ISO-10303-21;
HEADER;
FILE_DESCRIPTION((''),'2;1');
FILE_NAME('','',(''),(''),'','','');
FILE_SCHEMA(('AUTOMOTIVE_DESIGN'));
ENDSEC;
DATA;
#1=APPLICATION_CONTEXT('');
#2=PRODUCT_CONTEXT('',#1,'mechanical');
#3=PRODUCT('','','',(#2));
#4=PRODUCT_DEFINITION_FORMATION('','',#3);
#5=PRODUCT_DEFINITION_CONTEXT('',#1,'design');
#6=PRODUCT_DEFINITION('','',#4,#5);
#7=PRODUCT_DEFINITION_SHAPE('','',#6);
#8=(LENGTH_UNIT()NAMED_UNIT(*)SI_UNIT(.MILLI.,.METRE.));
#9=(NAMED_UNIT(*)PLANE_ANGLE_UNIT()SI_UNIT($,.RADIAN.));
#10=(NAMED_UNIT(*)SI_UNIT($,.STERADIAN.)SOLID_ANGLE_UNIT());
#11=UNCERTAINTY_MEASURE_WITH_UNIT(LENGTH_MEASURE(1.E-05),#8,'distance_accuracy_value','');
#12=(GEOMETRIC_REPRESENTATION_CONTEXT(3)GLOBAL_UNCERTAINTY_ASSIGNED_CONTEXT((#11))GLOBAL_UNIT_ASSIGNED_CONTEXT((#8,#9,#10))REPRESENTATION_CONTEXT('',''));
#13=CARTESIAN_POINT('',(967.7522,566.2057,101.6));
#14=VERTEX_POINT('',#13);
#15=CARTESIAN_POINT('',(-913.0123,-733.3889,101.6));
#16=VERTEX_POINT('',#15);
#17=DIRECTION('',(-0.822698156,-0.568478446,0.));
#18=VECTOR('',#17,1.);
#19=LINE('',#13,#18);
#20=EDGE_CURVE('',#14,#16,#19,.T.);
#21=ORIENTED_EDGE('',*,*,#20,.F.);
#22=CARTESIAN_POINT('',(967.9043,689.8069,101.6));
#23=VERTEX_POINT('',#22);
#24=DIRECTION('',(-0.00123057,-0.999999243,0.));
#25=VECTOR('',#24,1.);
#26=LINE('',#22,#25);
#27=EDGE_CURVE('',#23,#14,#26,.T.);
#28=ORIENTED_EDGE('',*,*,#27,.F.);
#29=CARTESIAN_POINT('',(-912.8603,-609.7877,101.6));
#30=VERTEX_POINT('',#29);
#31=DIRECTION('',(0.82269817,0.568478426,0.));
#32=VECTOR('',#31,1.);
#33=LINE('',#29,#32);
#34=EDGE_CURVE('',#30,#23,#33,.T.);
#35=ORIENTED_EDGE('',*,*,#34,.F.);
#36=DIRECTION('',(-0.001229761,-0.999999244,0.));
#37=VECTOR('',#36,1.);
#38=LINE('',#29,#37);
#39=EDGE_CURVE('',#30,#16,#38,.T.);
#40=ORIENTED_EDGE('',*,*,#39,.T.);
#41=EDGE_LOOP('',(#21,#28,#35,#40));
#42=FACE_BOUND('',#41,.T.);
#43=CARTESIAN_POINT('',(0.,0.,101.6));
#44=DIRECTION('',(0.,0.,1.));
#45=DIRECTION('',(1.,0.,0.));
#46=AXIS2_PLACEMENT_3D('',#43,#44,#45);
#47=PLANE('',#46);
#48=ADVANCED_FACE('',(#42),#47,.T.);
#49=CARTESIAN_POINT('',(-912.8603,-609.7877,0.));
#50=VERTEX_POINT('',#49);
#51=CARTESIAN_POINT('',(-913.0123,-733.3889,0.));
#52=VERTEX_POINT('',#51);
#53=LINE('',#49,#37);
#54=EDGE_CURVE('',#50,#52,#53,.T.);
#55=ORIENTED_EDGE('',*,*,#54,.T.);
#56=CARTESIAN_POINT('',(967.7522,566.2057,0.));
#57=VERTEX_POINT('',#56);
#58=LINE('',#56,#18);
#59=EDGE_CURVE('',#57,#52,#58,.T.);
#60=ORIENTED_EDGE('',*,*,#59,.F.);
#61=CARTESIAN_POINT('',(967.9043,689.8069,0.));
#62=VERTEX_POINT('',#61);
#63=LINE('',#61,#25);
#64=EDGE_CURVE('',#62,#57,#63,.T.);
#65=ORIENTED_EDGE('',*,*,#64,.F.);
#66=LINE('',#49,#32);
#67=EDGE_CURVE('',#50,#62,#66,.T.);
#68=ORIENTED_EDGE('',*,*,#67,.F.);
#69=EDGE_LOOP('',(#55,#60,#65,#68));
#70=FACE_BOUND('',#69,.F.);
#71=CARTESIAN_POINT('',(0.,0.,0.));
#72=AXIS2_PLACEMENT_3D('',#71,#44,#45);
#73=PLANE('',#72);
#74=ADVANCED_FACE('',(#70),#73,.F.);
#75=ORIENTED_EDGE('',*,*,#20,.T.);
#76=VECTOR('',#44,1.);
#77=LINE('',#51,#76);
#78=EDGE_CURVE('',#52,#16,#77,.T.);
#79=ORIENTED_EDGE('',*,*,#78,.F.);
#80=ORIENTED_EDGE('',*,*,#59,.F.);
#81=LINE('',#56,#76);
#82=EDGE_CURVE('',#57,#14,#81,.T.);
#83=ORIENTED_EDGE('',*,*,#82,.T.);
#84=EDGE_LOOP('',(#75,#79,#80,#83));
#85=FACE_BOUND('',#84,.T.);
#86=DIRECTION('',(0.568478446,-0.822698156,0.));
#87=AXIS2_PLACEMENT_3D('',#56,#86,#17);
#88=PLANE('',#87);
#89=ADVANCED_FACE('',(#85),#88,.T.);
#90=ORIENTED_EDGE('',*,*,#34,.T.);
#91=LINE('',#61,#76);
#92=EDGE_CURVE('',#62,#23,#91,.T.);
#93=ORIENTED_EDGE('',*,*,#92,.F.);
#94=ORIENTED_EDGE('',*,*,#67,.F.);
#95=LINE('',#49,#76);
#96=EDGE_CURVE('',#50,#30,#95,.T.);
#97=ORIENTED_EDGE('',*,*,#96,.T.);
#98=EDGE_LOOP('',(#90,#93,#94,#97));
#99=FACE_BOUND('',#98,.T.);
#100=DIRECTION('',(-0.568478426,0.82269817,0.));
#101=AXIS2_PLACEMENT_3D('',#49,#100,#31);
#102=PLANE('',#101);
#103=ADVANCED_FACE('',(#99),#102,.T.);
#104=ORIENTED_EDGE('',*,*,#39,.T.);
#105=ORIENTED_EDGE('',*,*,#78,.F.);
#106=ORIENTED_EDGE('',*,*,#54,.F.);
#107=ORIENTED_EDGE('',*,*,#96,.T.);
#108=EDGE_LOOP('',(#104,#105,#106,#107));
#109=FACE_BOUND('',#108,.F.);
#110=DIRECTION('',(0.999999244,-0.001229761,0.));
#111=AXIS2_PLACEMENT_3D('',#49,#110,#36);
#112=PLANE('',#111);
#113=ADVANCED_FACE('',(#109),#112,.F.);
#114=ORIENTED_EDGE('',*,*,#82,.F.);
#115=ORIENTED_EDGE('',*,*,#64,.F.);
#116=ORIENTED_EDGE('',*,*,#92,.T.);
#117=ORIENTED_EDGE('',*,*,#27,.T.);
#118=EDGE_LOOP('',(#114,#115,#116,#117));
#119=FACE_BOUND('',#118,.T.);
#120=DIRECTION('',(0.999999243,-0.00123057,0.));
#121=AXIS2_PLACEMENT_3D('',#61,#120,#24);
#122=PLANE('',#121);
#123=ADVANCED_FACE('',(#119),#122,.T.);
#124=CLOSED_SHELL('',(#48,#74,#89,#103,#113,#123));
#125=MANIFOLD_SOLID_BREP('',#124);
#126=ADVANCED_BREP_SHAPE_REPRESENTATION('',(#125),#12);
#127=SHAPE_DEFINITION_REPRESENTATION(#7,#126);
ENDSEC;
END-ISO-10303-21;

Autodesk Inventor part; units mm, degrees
ref_plane "YZ Plane" through (0, 0, 0) normal (1, 0, 0) x (0, 1, 0)
ref_plane "XZ Plane" through (0, 0, 0) normal (0, 1, 0) x (-1, 0, 0)
ref_plane "XY Plane" through (0, 0, 0) normal (0, 0, 1) x (1, 0, 0)
sketch "Sketch1" plane through (0, 0, 0) normal (0, 0, 1) x (1, 0, 0)
  line L0 (-912.8603, -609.7877) -> (967.9043, 689.8069)
  line L1 (967.9043, 689.8069) -> (1025.6617, 606.2207) construction
  line L2 (967.7522, 566.2057) -> (-913.0123, -733.3889)
  line L3 (-912.8603, -609.7877) -> (-913.0123, -733.3889)
  line L4 (967.9043, 689.8069) -> (967.7522, 566.2057)
  line L5 (-912.8603, -609.7877) -> (-913.0123, -733.3889)
  point P0 (0, 0)
  point P1 (1018.7042, 689.7444)
  dimension "d2" = 101.6
  dimension "d3" = 90
extrude "Extrusion1" add sketch "Sketch1" along normal blind 101.6
properties part number "4x4xigiveup"
